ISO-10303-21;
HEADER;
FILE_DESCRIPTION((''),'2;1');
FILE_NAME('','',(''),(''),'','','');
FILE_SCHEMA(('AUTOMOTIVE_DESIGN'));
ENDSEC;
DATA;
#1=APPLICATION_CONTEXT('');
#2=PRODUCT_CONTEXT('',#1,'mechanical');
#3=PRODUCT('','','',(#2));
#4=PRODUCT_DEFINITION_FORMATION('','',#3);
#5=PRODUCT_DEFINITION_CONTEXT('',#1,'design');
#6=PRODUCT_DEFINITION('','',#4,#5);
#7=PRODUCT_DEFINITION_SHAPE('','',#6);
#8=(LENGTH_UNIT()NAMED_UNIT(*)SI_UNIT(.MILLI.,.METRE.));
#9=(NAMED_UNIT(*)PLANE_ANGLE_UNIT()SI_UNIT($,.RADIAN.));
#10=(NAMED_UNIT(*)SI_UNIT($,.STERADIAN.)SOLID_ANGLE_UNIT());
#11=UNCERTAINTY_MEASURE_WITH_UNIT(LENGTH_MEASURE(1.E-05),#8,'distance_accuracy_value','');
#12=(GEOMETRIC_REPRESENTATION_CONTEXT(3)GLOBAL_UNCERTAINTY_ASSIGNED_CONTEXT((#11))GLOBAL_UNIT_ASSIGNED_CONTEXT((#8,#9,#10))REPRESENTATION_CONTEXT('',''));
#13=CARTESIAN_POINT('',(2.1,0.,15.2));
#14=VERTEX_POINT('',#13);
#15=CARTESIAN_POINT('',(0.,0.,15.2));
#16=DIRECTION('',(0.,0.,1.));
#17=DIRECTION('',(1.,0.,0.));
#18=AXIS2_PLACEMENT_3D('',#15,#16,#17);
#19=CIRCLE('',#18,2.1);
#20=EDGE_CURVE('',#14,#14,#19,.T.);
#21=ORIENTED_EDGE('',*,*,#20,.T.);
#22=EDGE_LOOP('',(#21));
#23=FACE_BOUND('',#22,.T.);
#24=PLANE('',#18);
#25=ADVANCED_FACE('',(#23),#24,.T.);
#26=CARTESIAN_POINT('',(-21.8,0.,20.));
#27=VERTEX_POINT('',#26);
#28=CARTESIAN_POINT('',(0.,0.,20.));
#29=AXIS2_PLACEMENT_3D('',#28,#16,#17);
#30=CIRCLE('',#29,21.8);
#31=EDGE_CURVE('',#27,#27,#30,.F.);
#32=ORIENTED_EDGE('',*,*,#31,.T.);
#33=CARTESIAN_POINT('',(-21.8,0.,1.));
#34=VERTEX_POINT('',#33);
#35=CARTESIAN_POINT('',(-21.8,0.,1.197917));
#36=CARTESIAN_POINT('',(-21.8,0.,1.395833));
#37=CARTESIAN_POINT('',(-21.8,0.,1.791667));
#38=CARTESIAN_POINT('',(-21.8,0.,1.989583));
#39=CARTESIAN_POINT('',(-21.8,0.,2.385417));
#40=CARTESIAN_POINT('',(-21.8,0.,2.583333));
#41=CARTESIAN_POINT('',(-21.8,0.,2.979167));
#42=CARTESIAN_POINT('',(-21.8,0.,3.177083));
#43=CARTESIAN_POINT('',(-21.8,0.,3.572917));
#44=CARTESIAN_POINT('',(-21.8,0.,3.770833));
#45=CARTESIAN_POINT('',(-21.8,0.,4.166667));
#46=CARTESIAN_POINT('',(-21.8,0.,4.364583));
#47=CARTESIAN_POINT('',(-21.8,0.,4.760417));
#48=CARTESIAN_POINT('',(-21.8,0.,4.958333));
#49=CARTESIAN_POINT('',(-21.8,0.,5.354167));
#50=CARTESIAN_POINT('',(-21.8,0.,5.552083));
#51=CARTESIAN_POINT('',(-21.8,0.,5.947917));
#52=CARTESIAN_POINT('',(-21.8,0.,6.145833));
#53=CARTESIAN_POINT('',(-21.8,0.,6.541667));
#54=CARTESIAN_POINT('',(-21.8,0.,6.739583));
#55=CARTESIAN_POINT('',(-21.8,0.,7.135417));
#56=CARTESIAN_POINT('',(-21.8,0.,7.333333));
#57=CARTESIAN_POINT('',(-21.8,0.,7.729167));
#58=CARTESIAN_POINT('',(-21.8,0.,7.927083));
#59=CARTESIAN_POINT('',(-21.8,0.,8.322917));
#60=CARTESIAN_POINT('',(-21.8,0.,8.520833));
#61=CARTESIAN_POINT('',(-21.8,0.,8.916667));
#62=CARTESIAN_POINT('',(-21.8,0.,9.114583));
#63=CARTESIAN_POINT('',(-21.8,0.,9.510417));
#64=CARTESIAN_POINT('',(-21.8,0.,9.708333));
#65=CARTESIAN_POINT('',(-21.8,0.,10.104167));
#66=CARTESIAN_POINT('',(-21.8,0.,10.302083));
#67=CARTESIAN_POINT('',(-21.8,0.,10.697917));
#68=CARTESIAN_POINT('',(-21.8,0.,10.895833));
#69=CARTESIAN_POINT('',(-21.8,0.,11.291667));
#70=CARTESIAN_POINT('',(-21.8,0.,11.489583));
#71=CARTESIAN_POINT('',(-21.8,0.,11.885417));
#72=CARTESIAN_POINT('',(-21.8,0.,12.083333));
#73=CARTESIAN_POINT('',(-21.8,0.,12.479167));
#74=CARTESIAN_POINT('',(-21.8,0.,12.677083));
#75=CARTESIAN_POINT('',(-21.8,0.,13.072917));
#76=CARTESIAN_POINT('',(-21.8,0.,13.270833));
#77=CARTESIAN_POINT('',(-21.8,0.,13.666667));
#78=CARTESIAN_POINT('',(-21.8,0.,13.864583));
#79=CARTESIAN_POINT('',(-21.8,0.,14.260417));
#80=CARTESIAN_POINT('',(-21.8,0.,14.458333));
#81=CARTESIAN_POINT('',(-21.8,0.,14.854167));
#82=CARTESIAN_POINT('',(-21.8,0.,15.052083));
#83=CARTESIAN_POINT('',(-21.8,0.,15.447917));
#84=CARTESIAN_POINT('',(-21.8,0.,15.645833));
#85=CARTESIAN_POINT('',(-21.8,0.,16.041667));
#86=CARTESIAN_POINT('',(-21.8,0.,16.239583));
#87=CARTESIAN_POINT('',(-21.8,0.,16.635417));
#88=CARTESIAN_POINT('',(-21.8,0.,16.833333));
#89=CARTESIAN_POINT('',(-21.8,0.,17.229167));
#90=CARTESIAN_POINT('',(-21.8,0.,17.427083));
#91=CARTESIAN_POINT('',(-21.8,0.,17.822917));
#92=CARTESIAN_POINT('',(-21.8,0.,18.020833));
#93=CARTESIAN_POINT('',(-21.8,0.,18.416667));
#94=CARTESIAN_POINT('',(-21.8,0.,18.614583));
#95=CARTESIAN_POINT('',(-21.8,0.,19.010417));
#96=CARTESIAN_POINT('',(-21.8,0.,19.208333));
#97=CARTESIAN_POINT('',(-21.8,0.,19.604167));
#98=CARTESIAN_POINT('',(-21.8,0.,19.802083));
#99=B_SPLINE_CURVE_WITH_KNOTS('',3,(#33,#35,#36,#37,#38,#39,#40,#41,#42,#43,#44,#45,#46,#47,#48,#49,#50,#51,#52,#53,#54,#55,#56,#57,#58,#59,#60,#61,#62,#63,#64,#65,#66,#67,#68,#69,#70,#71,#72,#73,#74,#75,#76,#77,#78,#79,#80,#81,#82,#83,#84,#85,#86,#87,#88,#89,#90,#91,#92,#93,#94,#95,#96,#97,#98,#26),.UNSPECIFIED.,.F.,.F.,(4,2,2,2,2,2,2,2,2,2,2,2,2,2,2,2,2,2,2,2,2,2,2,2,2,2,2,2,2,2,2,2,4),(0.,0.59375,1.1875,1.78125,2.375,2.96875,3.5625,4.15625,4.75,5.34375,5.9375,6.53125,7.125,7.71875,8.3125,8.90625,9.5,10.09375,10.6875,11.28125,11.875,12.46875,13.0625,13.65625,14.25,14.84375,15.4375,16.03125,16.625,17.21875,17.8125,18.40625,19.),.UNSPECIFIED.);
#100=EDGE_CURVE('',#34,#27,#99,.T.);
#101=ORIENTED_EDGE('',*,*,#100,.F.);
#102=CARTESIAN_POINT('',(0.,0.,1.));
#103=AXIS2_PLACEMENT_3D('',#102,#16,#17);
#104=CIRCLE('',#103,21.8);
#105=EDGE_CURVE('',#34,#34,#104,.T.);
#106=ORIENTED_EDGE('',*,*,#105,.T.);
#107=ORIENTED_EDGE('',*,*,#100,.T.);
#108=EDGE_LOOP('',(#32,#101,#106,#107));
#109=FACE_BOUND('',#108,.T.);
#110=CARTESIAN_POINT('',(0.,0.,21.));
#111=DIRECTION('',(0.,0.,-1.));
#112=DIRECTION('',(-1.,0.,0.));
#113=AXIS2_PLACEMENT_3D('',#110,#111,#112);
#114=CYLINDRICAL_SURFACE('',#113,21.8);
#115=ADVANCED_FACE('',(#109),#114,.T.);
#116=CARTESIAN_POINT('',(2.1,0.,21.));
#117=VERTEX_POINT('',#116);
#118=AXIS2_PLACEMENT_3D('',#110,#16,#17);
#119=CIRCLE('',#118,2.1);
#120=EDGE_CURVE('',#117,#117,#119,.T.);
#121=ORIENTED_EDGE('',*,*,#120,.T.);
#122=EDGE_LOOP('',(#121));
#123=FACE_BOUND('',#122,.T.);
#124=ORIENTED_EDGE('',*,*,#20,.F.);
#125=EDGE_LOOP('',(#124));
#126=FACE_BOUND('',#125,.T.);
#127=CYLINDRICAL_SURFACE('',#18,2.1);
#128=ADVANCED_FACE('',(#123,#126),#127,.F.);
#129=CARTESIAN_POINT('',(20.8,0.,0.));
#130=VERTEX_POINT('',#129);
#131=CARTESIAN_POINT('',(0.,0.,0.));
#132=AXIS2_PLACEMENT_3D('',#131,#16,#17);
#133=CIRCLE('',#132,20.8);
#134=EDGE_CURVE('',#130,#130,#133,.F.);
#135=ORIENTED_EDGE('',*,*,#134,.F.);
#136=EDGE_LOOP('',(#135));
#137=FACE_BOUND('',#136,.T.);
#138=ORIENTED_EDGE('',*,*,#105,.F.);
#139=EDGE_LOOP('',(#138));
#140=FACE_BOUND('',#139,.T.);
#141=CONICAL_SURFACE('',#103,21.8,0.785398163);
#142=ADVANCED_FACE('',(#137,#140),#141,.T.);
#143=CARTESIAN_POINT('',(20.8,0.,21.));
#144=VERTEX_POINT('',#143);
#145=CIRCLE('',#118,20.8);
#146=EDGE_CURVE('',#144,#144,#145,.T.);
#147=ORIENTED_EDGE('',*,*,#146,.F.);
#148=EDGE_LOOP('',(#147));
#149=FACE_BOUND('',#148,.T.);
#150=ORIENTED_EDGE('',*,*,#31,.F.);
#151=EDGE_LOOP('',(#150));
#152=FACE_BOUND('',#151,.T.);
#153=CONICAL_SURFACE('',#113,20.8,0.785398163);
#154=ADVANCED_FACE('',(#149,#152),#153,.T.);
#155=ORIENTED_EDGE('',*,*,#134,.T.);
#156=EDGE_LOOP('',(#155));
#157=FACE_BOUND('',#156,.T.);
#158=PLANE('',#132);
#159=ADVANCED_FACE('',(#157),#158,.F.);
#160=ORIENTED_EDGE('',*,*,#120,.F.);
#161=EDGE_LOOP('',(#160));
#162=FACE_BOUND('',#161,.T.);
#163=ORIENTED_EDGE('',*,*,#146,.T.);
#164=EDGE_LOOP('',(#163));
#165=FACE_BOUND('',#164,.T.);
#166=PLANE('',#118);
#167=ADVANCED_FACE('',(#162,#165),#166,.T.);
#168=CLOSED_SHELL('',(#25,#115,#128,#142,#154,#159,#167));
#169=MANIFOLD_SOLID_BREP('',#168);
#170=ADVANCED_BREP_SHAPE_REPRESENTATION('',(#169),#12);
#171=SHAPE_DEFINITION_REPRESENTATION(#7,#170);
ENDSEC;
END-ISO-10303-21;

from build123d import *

# Parameters (mm, degrees)
SKETCH1_R           = 21.8
BOSS_EXTRUDE1_DEPTH = 21
CHAMFER1_SIZE       = 1
SKETCH2_R           = 2.1
CUT_EXTRUDE1_DEPTH  = 5.8


with BuildPart() as part:
    # Sketch1 → Boss-Extrude1 (new body)
    with BuildSketch(Plane.XY):
        with Locations(Location((0, 0, 0), (0, 0, 180))):
            Circle(SKETCH1_R)
    extrude(amount=BOSS_EXTRUDE1_DEPTH)

    # Chamfer1
    chamfer1_edges = [part.edges().sort_by_distance(p)[0] for p in [
        (21.8, 0, 0),
        (21.8, 0, 21),
    ]]
    chamfer(chamfer1_edges, length=CHAMFER1_SIZE)

    # Sketch2 → Cut-Extrude1 (cut)
    with BuildSketch(Plane.XY.offset(21)):
        Circle(SKETCH2_R)
    extrude(amount=-CUT_EXTRUDE1_DEPTH, mode=Mode.SUBTRACT)


solid = part.part
